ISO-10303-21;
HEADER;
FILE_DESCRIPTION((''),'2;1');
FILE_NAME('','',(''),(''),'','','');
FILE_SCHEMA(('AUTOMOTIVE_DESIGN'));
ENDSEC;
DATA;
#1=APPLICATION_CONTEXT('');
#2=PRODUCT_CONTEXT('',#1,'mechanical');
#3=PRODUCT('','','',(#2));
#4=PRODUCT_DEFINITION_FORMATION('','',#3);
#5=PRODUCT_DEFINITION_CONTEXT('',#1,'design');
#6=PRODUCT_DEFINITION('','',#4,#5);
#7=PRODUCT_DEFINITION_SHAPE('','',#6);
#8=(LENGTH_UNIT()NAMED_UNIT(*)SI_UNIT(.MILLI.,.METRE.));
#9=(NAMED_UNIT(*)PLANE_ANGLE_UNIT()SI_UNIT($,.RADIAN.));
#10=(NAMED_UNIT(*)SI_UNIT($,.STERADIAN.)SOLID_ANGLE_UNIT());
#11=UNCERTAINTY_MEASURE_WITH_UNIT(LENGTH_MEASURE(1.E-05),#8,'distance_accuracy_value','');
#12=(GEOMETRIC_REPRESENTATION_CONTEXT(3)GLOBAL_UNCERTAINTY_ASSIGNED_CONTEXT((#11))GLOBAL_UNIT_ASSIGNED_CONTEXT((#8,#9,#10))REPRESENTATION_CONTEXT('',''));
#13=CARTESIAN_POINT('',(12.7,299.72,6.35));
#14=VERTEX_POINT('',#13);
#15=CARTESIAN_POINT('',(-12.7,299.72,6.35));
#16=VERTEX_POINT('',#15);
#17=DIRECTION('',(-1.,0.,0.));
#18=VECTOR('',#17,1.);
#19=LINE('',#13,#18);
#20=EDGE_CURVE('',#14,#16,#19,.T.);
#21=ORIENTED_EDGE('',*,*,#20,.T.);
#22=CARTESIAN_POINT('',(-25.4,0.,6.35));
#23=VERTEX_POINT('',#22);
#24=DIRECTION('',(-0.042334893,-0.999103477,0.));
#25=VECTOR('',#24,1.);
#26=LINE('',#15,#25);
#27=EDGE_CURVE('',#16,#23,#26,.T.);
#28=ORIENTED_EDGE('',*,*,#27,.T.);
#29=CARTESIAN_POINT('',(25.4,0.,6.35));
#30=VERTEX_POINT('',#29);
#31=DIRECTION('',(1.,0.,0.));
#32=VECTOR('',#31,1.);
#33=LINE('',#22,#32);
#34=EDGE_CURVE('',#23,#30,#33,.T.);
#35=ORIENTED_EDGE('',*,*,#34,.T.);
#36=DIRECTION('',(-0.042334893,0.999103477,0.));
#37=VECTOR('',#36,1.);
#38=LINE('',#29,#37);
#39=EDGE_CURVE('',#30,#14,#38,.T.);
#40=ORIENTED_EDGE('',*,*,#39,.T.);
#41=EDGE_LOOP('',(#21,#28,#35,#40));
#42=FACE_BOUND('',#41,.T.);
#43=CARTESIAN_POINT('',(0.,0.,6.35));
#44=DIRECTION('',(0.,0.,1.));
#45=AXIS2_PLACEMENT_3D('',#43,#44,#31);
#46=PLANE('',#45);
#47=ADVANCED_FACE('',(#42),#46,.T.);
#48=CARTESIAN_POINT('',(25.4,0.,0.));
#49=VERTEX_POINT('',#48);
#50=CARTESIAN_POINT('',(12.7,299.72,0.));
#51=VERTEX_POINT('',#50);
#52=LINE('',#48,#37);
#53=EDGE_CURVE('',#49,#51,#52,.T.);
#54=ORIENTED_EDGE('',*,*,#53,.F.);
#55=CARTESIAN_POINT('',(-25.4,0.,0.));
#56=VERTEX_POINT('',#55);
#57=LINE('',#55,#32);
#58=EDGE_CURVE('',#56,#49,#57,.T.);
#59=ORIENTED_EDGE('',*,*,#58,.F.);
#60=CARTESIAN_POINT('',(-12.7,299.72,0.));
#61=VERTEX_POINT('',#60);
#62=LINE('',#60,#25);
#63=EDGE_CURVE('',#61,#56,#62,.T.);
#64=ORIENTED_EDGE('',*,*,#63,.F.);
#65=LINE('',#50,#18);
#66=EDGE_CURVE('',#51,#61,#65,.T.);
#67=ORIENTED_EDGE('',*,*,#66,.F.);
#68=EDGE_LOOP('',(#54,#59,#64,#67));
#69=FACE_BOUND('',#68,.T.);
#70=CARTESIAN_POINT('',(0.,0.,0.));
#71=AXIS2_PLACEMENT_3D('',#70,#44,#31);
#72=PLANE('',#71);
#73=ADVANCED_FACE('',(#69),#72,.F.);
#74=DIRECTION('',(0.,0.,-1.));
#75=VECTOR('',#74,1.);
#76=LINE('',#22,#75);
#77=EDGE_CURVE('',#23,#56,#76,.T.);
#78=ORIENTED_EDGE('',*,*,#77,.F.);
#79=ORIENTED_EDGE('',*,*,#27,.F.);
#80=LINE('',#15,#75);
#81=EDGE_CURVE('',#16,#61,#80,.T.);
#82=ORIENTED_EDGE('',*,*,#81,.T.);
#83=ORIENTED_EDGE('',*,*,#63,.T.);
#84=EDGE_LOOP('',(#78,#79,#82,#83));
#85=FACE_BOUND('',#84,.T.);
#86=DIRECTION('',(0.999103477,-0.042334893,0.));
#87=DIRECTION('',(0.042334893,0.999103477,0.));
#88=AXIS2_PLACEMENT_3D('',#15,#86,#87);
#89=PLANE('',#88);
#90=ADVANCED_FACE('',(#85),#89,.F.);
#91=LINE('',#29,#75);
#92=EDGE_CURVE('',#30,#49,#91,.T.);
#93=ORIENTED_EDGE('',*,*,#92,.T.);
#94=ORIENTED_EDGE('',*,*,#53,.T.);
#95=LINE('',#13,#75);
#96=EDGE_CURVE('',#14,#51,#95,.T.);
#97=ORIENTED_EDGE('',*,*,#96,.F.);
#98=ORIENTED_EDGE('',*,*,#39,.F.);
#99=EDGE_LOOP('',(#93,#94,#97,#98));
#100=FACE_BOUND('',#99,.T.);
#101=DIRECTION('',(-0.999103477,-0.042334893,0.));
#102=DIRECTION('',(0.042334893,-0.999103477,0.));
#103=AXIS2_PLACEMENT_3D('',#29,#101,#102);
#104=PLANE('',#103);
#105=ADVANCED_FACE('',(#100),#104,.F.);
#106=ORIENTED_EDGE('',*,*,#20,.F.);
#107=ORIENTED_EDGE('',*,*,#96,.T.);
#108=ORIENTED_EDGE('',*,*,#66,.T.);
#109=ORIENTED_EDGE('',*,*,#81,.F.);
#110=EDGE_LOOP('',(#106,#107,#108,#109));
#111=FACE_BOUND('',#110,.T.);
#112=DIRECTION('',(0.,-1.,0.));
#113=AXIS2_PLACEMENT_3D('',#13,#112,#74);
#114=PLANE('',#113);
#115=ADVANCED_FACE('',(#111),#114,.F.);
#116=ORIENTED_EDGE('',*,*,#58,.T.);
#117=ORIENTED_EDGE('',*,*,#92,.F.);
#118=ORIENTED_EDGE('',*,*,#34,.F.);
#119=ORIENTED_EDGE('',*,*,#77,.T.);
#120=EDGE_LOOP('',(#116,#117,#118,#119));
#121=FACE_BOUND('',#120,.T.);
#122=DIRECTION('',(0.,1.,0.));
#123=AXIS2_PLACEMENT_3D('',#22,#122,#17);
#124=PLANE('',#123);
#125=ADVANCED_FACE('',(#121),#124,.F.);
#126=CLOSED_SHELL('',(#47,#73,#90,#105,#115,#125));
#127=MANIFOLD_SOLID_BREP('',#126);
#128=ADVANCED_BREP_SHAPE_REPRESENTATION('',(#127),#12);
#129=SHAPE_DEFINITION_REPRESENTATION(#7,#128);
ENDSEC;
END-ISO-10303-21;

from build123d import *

# Parameters (mm, degrees)
BOSS_EXTRUDE1_DEPTH = 6.35


with BuildPart() as part:
    # Sketch1 → Boss-Extrude1 (new body)
    with BuildSketch(Plane.XY):
        Polygon((-25.4, 0), (25.4, 0), (12.7, 299.72), (-12.7, 299.72), align=None)
    extrude(amount=BOSS_EXTRUDE1_DEPTH)


solid = part.part
